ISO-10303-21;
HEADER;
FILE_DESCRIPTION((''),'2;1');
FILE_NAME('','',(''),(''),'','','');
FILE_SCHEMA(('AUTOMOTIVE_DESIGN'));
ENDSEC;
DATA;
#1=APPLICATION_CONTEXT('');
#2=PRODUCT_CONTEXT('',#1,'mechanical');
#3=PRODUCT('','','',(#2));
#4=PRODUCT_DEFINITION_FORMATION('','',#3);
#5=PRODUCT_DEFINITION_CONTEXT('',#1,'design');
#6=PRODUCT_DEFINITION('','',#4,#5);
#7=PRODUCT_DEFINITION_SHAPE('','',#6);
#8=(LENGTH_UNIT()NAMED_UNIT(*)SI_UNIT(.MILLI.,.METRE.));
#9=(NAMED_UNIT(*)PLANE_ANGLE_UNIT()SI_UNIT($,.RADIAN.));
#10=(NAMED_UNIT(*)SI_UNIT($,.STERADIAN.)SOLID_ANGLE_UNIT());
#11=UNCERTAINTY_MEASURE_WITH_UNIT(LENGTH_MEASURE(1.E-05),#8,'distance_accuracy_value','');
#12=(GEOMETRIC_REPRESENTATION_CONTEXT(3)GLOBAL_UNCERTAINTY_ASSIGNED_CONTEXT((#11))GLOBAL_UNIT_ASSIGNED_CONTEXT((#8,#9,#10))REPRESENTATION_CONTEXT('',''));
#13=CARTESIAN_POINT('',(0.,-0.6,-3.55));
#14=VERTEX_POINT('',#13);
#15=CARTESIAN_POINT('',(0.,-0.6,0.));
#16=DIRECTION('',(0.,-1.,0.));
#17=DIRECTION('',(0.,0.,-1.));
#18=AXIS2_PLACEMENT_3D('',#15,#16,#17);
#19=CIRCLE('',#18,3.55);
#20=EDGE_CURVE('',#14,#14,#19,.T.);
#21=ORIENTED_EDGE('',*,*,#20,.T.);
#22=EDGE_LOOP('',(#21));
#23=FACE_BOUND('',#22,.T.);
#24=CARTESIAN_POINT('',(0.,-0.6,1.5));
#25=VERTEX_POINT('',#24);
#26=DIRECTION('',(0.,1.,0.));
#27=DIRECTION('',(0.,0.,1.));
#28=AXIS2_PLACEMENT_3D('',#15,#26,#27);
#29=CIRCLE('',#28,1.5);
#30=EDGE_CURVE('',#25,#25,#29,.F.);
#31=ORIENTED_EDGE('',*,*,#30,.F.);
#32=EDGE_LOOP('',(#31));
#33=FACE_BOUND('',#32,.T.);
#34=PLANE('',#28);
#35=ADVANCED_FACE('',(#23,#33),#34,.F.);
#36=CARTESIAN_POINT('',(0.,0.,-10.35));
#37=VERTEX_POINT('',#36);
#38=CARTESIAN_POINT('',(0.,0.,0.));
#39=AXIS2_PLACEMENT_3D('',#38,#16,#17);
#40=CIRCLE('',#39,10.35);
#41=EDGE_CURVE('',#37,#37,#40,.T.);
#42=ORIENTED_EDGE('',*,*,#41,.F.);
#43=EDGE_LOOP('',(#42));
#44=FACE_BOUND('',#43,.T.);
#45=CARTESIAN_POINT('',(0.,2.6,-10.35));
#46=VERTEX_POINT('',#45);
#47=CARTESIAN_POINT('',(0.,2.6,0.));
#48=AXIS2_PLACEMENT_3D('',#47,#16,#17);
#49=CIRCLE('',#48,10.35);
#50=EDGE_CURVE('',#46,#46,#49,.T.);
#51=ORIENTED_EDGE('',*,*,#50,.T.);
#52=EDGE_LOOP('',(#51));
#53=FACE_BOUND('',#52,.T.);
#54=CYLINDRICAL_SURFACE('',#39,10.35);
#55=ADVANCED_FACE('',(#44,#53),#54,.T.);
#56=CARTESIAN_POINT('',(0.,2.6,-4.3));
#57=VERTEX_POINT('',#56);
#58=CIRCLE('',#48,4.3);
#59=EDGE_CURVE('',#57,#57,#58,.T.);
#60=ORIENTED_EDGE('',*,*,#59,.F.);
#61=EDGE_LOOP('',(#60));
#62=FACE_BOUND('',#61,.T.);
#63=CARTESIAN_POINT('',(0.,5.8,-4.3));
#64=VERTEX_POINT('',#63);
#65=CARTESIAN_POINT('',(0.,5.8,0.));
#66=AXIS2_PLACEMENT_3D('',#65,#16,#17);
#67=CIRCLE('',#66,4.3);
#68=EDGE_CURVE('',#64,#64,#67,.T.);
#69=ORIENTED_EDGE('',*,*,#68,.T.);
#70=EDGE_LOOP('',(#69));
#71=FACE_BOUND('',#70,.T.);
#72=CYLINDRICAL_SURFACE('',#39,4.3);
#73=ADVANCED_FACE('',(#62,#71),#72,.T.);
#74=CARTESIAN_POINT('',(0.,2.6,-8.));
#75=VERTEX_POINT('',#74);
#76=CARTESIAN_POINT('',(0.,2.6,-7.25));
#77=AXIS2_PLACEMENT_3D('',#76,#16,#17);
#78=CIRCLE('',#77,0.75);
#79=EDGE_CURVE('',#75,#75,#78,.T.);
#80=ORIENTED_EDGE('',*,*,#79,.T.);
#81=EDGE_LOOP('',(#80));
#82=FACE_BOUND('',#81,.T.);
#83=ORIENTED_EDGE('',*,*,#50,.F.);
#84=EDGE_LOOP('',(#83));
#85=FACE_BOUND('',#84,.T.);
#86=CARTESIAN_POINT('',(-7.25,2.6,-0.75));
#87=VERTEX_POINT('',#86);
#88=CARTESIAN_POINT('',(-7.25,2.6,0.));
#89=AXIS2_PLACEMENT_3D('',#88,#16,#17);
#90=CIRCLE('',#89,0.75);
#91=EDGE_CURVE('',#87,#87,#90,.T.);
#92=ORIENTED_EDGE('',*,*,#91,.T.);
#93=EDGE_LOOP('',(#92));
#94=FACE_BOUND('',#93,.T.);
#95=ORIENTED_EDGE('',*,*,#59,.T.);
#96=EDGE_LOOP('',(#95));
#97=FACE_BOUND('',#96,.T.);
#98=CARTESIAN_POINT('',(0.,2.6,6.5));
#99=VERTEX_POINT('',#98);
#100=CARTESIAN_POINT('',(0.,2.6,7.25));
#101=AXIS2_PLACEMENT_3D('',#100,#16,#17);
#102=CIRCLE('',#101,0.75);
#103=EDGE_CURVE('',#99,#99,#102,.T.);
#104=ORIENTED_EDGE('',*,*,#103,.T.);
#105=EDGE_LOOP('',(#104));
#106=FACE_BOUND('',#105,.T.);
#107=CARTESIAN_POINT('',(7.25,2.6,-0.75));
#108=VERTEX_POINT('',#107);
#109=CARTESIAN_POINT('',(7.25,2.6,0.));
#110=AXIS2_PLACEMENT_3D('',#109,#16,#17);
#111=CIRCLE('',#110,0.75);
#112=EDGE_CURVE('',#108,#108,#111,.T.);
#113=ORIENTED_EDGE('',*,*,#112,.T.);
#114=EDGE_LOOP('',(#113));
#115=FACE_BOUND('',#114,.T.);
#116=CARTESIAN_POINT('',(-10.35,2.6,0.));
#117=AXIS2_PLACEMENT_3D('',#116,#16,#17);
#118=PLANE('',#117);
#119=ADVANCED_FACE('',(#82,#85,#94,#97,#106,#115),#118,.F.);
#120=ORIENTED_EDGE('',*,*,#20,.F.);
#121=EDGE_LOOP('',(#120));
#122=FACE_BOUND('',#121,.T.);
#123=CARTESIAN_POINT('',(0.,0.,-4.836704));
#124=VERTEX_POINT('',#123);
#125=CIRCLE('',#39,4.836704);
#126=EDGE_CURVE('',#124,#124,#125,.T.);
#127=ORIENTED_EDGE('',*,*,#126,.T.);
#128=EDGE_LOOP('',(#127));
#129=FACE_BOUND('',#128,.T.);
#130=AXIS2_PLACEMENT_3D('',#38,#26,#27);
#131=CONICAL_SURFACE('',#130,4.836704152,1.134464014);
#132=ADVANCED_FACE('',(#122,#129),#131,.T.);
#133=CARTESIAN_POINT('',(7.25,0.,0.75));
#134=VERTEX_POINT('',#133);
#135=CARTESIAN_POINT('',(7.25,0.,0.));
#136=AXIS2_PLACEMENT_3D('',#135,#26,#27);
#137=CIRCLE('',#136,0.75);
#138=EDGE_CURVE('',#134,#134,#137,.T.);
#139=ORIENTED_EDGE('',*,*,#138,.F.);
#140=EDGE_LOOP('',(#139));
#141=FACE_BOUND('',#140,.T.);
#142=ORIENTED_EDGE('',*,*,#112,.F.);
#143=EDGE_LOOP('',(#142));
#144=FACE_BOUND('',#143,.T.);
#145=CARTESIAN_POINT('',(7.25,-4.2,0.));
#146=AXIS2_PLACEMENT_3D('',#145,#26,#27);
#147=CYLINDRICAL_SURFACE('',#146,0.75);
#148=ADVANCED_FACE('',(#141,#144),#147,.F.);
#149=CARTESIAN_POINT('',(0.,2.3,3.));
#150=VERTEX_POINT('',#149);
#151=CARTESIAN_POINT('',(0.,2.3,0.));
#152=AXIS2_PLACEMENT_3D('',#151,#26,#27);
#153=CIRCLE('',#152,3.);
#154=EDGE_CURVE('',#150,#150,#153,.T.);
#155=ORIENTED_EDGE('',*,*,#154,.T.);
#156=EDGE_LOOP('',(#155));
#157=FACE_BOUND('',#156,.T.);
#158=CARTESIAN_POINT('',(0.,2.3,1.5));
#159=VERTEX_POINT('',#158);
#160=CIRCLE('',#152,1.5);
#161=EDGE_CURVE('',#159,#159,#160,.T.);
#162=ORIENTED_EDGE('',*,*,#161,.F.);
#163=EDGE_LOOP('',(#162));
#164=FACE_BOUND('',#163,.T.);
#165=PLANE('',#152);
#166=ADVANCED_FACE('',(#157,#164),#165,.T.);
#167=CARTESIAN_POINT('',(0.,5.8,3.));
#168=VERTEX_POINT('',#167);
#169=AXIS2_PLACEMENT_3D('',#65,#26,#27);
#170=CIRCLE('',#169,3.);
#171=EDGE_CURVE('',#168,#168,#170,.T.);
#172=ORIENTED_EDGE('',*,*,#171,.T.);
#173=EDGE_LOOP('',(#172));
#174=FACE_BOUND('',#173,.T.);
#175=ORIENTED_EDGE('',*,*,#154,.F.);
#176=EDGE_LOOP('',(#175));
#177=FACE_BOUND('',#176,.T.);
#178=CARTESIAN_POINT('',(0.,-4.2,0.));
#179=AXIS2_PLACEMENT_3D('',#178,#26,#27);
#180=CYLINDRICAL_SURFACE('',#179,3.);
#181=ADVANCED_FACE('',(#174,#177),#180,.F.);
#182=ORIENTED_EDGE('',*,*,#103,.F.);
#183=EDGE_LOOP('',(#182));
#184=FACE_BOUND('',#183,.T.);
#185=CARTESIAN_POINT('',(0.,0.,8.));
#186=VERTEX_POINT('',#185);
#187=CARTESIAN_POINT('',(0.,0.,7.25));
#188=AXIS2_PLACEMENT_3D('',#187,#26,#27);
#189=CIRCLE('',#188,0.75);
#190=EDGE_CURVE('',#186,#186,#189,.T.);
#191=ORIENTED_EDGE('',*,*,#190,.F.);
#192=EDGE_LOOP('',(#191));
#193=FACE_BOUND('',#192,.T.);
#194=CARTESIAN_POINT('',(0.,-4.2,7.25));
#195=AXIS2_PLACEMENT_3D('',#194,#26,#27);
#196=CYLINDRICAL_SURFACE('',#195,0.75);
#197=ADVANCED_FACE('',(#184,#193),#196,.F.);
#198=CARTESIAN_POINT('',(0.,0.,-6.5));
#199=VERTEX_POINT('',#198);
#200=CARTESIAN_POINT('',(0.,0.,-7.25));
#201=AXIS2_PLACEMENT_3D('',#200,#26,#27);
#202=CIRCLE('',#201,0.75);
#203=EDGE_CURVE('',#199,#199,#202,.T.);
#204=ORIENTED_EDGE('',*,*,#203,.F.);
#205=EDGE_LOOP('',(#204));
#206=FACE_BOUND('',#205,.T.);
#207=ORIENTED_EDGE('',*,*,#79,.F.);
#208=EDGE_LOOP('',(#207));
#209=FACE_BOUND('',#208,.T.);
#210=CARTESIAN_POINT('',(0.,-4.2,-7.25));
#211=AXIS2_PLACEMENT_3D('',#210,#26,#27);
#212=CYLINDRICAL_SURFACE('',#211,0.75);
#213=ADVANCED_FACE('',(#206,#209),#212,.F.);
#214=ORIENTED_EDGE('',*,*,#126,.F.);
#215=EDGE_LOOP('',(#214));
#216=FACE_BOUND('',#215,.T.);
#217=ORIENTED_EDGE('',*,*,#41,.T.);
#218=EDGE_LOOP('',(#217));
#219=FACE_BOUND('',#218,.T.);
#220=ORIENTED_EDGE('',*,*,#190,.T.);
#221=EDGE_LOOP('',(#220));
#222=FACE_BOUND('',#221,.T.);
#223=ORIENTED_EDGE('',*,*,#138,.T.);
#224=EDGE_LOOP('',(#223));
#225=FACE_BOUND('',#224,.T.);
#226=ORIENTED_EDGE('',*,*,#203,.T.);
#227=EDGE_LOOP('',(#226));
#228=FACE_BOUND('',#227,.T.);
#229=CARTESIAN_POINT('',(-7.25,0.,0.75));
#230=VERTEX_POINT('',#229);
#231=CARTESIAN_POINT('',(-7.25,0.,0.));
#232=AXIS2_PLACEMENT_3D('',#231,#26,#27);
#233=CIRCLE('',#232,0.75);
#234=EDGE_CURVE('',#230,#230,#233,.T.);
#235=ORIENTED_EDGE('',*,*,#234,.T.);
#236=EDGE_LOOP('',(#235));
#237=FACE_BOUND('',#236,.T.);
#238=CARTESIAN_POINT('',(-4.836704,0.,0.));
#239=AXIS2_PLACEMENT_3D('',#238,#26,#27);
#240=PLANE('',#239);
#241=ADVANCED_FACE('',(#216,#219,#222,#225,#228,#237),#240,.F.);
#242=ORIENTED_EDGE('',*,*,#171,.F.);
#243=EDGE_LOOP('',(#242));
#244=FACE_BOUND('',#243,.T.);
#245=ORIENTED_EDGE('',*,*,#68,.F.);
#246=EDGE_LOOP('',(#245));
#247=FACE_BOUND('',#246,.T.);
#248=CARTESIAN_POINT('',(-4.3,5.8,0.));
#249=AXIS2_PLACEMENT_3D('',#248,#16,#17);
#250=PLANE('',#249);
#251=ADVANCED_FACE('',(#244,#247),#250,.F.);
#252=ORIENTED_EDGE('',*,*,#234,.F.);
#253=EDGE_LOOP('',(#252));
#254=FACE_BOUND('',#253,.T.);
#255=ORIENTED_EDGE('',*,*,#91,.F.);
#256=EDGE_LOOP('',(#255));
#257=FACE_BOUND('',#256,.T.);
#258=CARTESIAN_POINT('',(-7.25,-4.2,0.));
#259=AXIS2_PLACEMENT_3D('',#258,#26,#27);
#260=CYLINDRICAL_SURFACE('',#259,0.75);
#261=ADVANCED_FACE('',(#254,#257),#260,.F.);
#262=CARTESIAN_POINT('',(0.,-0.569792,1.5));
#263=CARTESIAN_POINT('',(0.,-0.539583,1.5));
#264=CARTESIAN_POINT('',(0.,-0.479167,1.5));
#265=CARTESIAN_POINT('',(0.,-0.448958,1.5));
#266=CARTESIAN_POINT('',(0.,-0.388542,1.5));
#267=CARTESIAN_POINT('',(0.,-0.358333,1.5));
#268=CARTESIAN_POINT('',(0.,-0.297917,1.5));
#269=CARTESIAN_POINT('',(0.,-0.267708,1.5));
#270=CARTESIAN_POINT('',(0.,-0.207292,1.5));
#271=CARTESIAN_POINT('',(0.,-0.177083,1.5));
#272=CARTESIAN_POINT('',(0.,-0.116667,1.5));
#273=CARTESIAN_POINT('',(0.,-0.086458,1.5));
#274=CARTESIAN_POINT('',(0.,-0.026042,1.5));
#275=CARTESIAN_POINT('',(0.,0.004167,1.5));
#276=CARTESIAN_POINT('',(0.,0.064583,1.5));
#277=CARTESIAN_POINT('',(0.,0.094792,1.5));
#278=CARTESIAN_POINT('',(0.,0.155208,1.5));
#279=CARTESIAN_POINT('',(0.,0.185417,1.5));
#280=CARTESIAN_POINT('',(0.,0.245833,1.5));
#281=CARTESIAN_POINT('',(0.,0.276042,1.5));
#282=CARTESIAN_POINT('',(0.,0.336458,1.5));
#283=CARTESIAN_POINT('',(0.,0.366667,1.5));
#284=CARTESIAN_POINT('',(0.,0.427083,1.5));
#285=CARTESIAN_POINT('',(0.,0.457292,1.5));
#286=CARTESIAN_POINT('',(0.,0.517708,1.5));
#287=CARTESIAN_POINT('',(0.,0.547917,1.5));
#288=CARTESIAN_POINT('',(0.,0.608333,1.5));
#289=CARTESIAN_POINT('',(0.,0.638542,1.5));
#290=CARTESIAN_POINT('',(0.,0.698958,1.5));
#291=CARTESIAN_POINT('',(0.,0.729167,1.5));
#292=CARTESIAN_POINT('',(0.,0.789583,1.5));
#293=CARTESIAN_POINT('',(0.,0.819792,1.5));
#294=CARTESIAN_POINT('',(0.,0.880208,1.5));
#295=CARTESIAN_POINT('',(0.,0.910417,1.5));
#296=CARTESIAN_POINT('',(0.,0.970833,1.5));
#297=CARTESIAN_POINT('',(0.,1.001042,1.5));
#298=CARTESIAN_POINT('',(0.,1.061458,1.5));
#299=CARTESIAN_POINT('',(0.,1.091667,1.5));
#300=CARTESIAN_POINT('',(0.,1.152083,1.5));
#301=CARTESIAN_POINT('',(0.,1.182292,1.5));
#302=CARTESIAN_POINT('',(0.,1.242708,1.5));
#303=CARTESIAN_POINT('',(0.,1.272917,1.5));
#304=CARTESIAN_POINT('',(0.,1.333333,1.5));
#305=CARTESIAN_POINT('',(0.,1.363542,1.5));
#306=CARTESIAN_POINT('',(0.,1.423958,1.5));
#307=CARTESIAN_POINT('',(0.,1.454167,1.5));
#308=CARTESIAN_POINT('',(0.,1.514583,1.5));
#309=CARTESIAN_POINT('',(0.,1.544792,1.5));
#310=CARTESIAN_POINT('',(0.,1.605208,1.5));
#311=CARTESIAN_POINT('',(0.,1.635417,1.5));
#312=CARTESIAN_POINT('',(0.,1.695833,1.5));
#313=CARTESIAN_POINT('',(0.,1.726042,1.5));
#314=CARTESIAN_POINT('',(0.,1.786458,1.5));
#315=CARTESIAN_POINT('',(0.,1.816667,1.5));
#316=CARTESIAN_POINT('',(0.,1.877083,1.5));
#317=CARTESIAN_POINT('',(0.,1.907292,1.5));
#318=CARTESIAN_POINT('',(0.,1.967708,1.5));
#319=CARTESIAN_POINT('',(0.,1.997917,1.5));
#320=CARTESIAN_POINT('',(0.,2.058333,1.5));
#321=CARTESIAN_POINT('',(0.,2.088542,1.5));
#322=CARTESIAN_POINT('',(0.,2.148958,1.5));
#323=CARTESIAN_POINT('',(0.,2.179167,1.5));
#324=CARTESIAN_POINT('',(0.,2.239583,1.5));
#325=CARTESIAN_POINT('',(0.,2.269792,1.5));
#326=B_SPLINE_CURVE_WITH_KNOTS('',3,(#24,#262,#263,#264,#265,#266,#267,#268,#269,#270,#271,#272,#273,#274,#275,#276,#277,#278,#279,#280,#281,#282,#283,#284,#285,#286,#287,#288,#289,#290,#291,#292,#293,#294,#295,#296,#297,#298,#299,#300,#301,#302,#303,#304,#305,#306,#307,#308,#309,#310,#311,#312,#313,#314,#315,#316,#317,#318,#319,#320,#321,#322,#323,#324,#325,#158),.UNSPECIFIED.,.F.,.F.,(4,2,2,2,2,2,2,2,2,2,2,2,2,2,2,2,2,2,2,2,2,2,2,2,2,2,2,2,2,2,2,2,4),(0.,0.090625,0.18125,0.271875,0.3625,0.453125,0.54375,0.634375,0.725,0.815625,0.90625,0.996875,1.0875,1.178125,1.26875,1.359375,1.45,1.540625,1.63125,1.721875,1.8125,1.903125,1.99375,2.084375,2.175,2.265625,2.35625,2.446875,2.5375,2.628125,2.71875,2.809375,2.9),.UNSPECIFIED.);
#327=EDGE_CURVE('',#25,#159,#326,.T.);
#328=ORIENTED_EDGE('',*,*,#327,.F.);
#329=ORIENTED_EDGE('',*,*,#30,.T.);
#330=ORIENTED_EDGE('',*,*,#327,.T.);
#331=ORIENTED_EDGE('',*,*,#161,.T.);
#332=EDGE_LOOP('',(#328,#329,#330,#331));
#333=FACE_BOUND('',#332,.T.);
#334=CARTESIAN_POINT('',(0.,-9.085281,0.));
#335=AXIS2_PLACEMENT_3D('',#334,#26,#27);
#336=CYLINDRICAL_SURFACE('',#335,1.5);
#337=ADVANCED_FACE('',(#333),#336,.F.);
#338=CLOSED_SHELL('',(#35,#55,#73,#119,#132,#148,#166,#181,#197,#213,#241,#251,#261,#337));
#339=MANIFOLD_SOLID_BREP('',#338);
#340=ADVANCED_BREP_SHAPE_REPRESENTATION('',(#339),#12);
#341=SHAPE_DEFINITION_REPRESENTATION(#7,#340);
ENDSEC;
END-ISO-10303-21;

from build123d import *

# Parameters (mm, degrees)
SKETCH_2_R          = 3
SKETCH_2_R_2        = 0.75
CUT_EXTRUDE_1_DEPTH = 10
EXTRUDE_START       = -3.5
SKETCH_3_R          = 3
SKETCH_3_R_2        = 1.5
EXTRUDE_1_DEPTH     = 2.9


with BuildPart() as part:
    # 草图1 → 旋转1 (revolve)
    with BuildSketch(Plane.XY, mode=Mode.PRIVATE) as revolve_1_sk:
        Polygon((0, -0.6), (-3.55, -0.6), (-4.836704152, 0), (-10.35, 0), (-10.35, 2.6), (-4.3, 2.6), (-4.3, 5.8), (0, 5.8), align=None)
    revolve(revolve_1_sk.sketch.rotate(Axis((0, 0, 0), (0, 1, 0)), 270), axis=Axis((0, 0, 0), (0, 1, 0)))

    # 草图2 → 切除-拉伸1 (cut)
    with BuildSketch(Plane(origin=(0, 5.8, 0), x_dir=(1, 0, 0), z_dir=(0, 1, 0))):
        with Locations(Location((0, 0, 0), (0, 0, 270))):
            Circle(SKETCH_2_R)
        with Locations(Location((0, 7.25, 0), (0, 0, 270))):
            Circle(SKETCH_2_R_2)
        with Locations(Location((7.25, 0, 0), (0, 0, 270))):
            Circle(SKETCH_2_R_2)
        with Locations(Location((0, -7.25, 0), (0, 0, 270))):
            Circle(SKETCH_2_R_2)
        with Locations(Location((-7.25, 0, 0), (0, 0, 270))):
            Circle(SKETCH_2_R_2)
    extrude(amount=-CUT_EXTRUDE_1_DEPTH, mode=Mode.SUBTRACT)

    # 草图3 → 凸台-拉伸1 (add)
    with BuildSketch(Plane(origin=(0, 5.8, 0), x_dir=(1, 0, 0), z_dir=(0, 1, 0)).offset(EXTRUDE_START)):
        with Locations(Location((0, 0, 0), (0, 0, 270))):
            Circle(SKETCH_3_R)
        with Locations(Location((0, 0, 0), (0, 0, 270))):
            Circle(SKETCH_3_R_2, mode=Mode.SUBTRACT)
    extrude(amount=-EXTRUDE_1_DEPTH)


solid = part.part
